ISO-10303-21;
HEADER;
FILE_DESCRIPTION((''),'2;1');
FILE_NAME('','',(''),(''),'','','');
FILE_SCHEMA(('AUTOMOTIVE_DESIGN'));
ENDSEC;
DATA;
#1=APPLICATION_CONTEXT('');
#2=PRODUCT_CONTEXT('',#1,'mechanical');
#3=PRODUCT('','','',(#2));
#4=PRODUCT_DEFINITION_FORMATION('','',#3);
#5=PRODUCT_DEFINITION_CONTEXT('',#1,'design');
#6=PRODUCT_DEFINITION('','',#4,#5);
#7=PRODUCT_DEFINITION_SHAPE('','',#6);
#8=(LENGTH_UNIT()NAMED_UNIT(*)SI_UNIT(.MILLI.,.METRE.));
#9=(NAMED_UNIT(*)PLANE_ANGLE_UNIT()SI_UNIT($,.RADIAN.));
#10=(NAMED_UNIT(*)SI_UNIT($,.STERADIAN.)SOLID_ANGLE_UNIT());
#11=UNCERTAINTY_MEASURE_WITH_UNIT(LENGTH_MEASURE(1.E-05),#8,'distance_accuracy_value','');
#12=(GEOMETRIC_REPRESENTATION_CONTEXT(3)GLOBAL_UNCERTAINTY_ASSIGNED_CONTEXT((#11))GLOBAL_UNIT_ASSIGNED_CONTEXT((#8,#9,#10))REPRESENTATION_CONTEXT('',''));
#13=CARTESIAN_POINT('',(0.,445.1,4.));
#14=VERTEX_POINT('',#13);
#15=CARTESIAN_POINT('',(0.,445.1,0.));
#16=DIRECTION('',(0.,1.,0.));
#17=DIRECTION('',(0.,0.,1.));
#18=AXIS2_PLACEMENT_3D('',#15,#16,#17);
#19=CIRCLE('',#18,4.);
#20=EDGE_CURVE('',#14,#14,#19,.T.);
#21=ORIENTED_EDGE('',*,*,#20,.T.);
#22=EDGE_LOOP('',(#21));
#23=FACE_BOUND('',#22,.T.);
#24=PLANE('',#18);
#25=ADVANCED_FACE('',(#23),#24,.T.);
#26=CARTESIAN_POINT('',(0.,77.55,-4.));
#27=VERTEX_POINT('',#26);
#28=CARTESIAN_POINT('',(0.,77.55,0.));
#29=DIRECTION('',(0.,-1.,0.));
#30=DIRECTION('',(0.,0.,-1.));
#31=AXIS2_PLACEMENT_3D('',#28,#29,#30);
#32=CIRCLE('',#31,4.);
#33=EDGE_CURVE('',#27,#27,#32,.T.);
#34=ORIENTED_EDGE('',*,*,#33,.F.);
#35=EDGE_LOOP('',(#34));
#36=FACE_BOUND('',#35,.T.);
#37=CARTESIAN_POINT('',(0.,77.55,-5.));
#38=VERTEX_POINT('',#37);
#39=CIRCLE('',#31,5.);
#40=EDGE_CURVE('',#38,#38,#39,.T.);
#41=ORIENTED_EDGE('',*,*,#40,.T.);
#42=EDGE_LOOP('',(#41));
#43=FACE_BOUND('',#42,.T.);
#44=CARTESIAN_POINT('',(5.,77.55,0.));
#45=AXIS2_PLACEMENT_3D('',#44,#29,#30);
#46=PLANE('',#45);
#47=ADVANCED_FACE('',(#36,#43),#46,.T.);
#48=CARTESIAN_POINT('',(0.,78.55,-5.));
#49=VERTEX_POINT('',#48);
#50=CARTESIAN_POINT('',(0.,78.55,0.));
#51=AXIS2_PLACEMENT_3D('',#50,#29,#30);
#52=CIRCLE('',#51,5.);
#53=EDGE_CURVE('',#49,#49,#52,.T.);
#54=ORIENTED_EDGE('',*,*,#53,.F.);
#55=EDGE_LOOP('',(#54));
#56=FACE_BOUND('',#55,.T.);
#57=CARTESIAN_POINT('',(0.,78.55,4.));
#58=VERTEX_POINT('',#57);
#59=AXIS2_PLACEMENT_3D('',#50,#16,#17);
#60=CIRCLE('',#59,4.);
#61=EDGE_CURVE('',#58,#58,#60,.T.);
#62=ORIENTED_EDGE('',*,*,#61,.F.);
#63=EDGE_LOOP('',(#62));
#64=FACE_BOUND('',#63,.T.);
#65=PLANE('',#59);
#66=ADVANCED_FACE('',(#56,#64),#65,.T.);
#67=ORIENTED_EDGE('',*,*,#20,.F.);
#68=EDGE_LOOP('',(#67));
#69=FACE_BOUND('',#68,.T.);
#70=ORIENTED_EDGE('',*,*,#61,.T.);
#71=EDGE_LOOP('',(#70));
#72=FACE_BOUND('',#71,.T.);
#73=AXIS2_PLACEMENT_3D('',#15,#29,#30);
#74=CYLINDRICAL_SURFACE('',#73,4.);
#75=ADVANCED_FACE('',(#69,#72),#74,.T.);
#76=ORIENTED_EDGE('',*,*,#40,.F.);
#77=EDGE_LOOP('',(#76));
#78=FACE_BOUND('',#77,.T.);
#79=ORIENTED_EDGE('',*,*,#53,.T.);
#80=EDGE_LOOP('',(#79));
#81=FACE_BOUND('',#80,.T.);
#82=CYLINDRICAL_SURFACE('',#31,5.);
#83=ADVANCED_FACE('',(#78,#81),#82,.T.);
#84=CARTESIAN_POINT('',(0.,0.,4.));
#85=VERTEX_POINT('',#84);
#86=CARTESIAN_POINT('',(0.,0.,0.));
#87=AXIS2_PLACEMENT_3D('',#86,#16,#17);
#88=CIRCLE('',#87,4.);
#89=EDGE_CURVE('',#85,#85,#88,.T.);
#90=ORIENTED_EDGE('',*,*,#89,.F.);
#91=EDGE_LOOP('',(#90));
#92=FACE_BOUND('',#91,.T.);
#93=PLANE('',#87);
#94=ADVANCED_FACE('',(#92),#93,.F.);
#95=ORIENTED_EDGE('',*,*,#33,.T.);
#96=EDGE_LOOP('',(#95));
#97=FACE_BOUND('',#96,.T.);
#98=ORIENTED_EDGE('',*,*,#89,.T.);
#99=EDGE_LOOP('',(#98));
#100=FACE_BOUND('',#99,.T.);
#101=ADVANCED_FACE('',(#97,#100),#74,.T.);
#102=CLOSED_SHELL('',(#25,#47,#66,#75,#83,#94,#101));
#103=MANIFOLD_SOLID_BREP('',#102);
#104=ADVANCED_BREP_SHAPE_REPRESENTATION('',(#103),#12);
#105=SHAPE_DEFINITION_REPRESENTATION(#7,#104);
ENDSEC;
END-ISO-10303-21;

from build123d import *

# Parameters (mm, degrees)
ESBO_O1_R                = 4
RESSALTO_EXTRUS_O2_DEPTH = 445.1
ESBO_O2_W                = 5
ESBO_O2_H                = 1


with BuildPart() as part:
    # Esboço1 → Ressalto-extrusão2 (new body)
    with BuildSketch(Plane(origin=(0, 0, 0), x_dir=(1, 0, 0), z_dir=(0, 1, 0))):
        with Locations(Location((0, 0, 0), (0, 0, 270))):
            Circle(ESBO_O1_R)
    extrude(amount=RESSALTO_EXTRUS_O2_DEPTH)

    # Esboço2 → Revolução1 (revolve)
    with BuildSketch(Plane.XY, mode=Mode.PRIVATE) as revolu_o1_sk:
        with Locations((2.5, 78.05)):
            Rectangle(ESBO_O2_W, ESBO_O2_H)
    revolve(revolu_o1_sk.sketch.rotate(Axis((0, 77.55, 0), (0, 1, 0)), 90), axis=Axis((0, 77.55, 0), (0, 1, 0)))


solid = part.part
